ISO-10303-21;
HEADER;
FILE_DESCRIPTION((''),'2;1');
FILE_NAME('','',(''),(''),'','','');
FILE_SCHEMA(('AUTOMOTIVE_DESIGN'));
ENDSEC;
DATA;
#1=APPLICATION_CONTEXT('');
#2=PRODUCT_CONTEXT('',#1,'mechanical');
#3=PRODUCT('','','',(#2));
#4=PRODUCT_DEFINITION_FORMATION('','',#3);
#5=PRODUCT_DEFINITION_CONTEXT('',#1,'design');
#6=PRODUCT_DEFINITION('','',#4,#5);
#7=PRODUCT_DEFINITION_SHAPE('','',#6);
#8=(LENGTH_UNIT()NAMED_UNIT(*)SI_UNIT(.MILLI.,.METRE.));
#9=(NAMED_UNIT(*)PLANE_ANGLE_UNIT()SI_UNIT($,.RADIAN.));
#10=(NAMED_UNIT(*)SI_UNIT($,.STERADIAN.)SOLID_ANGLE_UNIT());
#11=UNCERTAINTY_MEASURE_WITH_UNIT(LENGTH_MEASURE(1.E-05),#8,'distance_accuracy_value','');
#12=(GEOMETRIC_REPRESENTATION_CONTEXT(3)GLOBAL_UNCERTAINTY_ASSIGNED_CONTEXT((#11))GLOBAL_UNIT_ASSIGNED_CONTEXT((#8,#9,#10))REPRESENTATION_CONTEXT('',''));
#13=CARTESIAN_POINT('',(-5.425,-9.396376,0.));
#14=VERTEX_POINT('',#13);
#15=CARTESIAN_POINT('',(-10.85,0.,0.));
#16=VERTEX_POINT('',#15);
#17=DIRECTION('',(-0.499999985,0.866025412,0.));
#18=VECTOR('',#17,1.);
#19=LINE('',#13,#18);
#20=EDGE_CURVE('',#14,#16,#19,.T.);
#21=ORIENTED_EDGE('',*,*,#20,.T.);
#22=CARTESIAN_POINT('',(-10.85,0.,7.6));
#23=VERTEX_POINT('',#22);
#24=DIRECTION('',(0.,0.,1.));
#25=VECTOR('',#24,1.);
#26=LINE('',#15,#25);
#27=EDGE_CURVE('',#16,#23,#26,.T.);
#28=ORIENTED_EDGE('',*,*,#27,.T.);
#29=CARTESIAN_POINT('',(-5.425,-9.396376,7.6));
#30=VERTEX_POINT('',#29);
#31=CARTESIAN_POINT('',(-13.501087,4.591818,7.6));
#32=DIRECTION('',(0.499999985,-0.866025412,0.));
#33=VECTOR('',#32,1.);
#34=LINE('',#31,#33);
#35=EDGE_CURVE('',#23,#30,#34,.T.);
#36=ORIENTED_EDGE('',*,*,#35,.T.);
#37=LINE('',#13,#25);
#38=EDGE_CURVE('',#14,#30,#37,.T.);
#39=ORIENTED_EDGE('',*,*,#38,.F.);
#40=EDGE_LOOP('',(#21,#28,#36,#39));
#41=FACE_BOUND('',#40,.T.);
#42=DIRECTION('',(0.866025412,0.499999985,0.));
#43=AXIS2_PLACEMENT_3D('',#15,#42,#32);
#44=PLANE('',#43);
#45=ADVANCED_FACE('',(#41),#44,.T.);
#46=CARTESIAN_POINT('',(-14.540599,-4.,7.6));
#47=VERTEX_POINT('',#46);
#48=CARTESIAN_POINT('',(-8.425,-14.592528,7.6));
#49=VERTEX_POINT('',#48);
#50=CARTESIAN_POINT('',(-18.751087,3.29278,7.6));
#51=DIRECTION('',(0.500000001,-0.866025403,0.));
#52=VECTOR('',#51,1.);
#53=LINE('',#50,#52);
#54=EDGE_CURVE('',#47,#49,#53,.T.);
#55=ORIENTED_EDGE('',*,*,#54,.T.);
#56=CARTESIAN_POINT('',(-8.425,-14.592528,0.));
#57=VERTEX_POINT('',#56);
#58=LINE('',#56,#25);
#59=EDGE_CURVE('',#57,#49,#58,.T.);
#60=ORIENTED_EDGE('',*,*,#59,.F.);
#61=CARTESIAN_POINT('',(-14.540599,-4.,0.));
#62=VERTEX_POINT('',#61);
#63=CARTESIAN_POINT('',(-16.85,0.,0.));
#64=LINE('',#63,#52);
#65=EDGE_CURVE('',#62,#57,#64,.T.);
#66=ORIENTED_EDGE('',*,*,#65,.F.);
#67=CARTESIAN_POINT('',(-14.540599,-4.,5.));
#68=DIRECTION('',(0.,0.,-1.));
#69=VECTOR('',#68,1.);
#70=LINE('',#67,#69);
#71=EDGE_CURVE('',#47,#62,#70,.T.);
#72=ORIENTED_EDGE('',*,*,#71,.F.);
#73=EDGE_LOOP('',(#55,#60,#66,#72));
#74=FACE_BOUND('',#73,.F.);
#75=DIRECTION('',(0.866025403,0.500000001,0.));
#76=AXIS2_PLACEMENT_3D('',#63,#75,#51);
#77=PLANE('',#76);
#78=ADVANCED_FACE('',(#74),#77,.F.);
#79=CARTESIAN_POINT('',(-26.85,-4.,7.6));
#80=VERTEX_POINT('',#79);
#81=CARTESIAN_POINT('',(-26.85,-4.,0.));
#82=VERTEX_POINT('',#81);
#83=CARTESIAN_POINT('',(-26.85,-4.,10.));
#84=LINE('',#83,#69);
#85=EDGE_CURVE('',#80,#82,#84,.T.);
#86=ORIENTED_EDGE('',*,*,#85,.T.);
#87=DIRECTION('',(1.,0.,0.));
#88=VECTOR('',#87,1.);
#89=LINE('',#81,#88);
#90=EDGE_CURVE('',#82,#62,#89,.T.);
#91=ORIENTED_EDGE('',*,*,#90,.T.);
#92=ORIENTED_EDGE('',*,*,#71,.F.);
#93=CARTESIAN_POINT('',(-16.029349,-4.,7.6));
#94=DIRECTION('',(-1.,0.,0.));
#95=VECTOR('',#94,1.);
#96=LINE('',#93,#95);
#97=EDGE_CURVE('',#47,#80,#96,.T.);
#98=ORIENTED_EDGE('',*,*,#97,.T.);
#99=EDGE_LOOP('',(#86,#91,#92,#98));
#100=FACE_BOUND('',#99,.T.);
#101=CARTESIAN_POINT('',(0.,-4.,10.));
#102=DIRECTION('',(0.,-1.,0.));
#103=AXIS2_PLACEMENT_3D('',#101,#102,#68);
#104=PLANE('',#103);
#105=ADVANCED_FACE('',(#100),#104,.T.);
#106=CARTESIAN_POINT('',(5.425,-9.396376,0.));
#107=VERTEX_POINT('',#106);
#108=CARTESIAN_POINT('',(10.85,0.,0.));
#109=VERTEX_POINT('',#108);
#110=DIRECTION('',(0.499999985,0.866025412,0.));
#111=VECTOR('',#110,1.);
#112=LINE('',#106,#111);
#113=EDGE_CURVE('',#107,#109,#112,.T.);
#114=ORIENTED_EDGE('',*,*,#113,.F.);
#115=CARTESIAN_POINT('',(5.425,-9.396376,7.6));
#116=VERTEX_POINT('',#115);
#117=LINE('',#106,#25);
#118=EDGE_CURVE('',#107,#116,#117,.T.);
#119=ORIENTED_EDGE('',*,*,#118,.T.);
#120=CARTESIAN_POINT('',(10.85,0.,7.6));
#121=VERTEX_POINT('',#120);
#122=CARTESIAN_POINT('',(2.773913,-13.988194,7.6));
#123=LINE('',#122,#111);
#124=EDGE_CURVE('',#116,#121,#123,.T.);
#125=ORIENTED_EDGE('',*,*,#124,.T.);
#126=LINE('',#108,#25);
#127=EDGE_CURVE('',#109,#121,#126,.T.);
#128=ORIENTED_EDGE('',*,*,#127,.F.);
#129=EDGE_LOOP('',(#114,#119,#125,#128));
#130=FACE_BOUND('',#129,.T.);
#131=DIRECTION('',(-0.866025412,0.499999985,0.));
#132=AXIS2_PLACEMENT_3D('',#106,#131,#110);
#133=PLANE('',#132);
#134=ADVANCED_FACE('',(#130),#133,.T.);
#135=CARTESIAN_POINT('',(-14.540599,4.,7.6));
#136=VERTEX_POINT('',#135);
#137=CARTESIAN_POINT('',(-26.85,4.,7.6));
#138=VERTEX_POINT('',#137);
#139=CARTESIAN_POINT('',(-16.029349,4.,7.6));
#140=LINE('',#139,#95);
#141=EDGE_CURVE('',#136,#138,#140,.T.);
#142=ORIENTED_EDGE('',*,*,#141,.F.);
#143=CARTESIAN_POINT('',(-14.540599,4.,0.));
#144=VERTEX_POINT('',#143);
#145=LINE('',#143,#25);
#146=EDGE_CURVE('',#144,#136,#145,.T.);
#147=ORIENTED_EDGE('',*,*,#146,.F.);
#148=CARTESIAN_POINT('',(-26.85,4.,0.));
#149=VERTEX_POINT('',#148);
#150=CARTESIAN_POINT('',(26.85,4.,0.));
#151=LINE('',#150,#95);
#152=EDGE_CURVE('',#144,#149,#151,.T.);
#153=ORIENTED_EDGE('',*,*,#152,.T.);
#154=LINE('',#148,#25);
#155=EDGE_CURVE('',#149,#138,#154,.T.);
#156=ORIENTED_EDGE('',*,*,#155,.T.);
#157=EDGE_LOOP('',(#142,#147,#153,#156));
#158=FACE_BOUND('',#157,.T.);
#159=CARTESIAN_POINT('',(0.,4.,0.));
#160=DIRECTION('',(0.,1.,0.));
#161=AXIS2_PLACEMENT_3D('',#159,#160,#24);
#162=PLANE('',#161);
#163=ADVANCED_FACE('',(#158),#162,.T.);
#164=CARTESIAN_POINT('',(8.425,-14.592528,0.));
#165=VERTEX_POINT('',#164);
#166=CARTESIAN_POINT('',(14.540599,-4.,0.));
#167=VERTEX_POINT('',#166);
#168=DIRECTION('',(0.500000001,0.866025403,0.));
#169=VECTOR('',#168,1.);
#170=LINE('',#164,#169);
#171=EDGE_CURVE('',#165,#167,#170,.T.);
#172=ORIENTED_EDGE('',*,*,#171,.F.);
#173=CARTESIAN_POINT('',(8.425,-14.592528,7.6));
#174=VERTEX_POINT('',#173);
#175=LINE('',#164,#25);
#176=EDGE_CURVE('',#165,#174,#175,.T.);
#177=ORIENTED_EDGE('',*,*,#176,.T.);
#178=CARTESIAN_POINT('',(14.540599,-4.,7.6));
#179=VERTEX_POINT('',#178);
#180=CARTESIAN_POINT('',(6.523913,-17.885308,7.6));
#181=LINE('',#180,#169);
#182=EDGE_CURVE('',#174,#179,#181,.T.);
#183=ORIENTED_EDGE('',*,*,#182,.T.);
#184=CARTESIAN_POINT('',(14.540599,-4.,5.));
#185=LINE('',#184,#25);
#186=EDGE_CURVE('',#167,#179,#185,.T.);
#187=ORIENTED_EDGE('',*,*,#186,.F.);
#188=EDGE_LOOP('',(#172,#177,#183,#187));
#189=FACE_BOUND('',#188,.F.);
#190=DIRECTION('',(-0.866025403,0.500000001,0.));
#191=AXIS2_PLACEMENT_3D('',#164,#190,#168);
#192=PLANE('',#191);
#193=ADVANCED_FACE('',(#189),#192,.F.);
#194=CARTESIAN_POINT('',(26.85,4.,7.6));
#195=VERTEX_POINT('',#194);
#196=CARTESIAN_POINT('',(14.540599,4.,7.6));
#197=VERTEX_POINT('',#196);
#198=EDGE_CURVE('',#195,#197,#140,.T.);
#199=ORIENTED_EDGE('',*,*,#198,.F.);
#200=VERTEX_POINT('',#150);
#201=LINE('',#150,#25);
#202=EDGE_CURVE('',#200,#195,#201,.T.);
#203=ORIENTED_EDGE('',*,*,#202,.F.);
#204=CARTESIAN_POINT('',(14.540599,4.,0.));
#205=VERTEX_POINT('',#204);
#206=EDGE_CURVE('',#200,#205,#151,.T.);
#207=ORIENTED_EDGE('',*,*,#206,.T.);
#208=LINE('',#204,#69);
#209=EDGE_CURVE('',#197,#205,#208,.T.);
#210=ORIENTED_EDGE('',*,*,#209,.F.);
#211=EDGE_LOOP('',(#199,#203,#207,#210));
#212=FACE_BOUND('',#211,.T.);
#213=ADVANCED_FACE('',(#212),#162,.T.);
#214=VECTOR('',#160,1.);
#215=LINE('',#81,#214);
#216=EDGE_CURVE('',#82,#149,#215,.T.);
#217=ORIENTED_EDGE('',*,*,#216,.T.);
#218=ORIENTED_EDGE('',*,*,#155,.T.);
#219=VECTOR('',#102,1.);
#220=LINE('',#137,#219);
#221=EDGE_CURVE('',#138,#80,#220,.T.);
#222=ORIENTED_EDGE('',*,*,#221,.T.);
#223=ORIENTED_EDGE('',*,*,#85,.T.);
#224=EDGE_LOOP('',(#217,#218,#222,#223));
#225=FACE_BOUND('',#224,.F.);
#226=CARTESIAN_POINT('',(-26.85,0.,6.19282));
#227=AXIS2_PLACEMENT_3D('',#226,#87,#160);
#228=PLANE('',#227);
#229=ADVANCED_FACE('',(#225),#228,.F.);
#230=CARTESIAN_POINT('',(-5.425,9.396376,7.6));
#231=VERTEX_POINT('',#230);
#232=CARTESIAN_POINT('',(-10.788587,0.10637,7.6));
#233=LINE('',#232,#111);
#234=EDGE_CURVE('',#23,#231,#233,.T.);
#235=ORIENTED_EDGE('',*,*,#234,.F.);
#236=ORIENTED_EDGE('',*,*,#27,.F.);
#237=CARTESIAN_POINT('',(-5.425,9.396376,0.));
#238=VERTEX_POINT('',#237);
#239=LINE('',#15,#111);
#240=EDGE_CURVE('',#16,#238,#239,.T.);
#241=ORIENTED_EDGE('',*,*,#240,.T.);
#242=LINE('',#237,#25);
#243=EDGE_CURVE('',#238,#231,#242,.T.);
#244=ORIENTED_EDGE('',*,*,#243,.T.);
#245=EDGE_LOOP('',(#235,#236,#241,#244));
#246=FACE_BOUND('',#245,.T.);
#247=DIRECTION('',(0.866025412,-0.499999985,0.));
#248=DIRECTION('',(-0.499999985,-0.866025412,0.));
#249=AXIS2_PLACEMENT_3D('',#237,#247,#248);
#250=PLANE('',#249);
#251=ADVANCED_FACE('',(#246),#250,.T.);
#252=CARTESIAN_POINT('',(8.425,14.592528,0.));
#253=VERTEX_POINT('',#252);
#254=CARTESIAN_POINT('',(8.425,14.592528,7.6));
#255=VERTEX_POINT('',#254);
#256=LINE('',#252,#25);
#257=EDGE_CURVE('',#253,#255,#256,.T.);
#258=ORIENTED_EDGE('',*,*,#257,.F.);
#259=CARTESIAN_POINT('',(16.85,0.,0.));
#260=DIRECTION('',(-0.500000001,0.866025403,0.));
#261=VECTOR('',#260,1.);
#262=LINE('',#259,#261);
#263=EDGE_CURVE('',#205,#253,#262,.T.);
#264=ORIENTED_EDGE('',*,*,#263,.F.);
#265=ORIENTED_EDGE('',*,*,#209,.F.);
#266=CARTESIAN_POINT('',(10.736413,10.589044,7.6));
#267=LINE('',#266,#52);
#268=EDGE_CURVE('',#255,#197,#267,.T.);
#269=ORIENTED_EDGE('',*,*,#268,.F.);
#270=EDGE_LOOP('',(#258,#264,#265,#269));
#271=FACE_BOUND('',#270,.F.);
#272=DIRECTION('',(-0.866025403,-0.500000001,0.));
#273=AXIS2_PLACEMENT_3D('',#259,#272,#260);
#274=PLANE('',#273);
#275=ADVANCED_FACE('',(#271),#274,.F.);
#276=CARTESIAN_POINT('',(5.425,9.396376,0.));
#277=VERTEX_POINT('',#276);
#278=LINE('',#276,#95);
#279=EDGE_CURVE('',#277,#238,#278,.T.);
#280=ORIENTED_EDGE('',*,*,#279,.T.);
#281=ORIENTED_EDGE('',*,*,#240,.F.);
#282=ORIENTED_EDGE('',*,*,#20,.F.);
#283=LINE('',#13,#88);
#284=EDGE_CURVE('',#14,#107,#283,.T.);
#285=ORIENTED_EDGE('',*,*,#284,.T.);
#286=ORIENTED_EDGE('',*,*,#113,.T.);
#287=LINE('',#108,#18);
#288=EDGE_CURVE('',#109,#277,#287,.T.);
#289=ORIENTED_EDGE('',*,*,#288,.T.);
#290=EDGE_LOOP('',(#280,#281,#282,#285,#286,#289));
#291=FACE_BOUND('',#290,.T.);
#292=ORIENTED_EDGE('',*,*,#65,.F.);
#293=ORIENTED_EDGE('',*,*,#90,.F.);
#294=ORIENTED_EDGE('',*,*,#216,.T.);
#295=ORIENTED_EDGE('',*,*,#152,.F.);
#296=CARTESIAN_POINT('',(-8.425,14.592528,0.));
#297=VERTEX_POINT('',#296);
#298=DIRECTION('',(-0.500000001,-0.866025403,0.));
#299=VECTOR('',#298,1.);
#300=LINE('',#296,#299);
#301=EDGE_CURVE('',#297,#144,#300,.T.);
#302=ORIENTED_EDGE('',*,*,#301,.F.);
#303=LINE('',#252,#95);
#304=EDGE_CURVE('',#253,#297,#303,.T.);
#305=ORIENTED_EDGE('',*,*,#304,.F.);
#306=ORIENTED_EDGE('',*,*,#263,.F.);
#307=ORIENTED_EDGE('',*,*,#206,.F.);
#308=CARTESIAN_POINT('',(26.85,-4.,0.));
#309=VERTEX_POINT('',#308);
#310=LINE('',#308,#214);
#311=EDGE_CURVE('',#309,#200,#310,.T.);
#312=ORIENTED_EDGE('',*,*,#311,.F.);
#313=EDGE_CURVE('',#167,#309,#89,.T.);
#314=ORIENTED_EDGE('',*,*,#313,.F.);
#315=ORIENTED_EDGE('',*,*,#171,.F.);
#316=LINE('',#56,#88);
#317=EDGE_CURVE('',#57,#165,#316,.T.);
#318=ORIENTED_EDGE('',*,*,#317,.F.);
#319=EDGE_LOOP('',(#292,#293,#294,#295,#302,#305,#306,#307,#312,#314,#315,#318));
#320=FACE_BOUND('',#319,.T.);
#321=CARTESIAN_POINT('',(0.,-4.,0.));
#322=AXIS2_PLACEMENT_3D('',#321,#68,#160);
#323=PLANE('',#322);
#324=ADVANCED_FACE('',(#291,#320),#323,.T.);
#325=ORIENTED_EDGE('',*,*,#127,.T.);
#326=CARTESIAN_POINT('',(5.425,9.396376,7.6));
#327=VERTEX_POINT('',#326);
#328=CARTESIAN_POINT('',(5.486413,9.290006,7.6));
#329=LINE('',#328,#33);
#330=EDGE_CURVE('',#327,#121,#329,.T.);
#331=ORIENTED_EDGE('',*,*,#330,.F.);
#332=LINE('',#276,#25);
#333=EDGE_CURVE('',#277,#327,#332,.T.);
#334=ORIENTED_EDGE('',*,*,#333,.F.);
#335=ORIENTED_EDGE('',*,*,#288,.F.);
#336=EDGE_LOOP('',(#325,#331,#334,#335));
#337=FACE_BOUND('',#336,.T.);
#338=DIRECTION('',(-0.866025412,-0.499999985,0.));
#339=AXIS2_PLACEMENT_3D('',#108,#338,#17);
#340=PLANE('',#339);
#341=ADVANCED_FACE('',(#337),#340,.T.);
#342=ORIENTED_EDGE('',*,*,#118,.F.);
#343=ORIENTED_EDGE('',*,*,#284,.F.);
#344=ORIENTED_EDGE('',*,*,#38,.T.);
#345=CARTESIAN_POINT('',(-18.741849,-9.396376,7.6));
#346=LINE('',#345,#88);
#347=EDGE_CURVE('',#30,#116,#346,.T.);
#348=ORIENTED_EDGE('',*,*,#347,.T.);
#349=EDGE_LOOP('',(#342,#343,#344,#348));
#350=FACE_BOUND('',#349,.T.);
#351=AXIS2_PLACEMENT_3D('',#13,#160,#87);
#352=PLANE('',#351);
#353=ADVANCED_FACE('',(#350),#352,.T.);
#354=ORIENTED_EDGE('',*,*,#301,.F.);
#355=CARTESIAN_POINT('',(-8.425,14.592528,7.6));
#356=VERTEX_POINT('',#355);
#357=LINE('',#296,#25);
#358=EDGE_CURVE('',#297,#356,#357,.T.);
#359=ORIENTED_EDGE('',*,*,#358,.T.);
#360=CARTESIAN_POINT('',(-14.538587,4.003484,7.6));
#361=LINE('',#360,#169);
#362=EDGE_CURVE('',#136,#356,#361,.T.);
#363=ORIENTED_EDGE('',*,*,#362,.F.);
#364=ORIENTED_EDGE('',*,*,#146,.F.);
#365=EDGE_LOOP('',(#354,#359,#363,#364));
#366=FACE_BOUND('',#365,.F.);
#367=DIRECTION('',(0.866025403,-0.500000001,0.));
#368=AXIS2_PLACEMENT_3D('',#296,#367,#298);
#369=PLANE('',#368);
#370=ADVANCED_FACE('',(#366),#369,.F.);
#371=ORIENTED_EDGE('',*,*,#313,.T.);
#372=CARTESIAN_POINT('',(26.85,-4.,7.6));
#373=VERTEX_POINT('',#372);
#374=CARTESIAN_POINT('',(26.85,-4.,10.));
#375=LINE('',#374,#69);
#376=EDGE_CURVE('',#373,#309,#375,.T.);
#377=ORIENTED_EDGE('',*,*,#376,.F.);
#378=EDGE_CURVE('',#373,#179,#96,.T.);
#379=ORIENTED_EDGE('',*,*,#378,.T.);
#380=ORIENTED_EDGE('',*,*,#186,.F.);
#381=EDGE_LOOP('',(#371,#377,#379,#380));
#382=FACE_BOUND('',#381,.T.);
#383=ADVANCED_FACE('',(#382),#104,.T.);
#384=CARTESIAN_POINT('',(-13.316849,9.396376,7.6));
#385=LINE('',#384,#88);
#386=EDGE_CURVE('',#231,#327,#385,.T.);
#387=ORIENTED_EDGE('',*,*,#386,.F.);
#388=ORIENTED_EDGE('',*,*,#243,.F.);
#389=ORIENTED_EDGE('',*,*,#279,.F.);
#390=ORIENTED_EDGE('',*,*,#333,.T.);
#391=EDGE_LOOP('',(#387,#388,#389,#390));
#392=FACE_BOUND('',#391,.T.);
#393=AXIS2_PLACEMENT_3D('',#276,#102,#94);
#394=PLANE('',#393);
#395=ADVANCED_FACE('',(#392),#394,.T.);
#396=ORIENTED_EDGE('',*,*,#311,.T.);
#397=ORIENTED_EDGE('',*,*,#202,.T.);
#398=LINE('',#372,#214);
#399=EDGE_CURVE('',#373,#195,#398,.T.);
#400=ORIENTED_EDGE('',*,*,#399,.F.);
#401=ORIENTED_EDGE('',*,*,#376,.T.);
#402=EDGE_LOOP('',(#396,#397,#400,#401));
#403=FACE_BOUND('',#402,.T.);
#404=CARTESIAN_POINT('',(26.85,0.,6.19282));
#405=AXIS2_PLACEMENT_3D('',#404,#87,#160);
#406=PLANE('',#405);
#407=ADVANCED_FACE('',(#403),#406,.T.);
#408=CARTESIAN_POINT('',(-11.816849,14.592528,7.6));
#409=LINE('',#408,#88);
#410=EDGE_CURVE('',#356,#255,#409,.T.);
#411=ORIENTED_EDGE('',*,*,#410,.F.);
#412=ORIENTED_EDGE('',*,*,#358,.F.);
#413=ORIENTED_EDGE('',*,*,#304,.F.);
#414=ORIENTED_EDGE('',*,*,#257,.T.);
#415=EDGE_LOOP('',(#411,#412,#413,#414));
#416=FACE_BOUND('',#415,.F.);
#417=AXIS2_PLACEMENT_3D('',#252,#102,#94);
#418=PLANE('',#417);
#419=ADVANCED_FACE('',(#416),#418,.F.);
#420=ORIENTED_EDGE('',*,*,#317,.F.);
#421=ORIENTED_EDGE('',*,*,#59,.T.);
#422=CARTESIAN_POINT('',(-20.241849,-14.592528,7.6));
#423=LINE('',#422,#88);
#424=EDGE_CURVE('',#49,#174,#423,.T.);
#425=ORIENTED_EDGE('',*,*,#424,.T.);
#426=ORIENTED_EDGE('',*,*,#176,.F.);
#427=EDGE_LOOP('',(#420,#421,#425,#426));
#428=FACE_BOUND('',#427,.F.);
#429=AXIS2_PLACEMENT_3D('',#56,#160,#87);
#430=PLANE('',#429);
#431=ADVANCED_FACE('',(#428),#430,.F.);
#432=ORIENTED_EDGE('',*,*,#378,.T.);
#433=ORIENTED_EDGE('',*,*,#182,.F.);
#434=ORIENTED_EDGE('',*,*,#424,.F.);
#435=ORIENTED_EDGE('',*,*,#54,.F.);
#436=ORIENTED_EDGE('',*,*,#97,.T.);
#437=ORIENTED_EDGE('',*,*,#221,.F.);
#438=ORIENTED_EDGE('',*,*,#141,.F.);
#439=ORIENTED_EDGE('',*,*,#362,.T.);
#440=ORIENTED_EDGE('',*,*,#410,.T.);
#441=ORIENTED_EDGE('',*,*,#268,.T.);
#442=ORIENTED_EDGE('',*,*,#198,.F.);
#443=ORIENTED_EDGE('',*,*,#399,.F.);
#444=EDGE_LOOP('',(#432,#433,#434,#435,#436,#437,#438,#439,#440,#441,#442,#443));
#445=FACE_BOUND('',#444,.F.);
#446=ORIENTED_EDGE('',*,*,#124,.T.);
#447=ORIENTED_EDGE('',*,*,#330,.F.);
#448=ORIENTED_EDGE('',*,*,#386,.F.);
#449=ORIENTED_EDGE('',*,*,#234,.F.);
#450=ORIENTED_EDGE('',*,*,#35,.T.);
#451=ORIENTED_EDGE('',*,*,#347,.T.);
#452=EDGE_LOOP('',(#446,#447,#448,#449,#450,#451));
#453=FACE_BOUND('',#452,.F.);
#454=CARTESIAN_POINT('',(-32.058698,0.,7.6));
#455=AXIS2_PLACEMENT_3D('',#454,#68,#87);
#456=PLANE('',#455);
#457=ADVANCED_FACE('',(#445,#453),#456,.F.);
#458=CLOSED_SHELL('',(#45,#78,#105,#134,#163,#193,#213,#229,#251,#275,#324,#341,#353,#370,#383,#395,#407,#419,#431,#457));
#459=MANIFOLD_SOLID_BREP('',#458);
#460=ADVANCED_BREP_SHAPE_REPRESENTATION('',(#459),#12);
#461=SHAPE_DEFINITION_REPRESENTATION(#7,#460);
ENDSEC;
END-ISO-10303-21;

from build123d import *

# Parameters (mm, degrees)
PAD_DEPTH            = 10
PAD002_DEPTH         = 26.85
POCKET_DEPTH         = 0.001
POCKET_DEPTH_BACK    = -14.001
SKETCH004_W          = 82.61631
SKETCH004_H          = 35.698411
SKETCH004_W_2        = 63.407177
SKETCH004_H_2        = 9.483432
POCKET001_DEPTH      = 14.593528
POCKET001_DEPTH_BACK = -14.593528


with BuildPart() as part:
    # Sketch → Pad (new body)
    with BuildSketch(Plane.XY):
        Polygon((16.85, 0), (8.425, 14.592528), (-8.425, 14.592528), (-16.85, 0), (-8.425, -14.592528), (8.425, -14.592528), align=None)
        Polygon((10.85, 0), (5.425, 9.396376), (-5.425, 9.396376), (-10.85, 0), (-5.425, -9.396376), (5.425, -9.396376), align=None, mode=Mode.SUBTRACT)
    extrude(amount=PAD_DEPTH)

    # Sketch002 → Pad002 (join, symmetric)
    with BuildSketch(Plane.YZ):
        with BuildLine():
            ThreePointArc((4, 10), (0, 14), (-4, 10))
            Line((-4, 10), (-4, 0))
            Line((-4, 0), (4, 0))
            Line((4, 0), (4, 10))
        make_face()
    extrude(amount=PAD002_DEPTH, both=True)

    # Sketch003 → Pocket (cut, two sides)
    with BuildSketch(Plane.XY) as pocket_sk:
        Polygon((10.85, 0), (5.425, 9.396376), (-5.425, 9.396376), (-10.85, 0), (-5.425, -9.396376), (5.425, -9.396376), align=None)
    extrude(amount=-POCKET_DEPTH, mode=Mode.SUBTRACT)
    extrude(pocket_sk.sketch, amount=-POCKET_DEPTH_BACK, mode=Mode.SUBTRACT)

    # Sketch004 → Pocket001 (cut, two sides)
    with BuildSketch(Plane.XZ) as pocket001_sk:
        with Locations((0.841957, 8.089457)):
            Rectangle(SKETCH004_W, SKETCH004_H)
        with Locations((-0.35511, 2.858284)):
            Rectangle(SKETCH004_W_2, SKETCH004_H_2, mode=Mode.SUBTRACT)
    extrude(amount=-POCKET001_DEPTH, mode=Mode.SUBTRACT)
    extrude(pocket001_sk.sketch, amount=-POCKET001_DEPTH_BACK, mode=Mode.SUBTRACT)


solid = part.part
